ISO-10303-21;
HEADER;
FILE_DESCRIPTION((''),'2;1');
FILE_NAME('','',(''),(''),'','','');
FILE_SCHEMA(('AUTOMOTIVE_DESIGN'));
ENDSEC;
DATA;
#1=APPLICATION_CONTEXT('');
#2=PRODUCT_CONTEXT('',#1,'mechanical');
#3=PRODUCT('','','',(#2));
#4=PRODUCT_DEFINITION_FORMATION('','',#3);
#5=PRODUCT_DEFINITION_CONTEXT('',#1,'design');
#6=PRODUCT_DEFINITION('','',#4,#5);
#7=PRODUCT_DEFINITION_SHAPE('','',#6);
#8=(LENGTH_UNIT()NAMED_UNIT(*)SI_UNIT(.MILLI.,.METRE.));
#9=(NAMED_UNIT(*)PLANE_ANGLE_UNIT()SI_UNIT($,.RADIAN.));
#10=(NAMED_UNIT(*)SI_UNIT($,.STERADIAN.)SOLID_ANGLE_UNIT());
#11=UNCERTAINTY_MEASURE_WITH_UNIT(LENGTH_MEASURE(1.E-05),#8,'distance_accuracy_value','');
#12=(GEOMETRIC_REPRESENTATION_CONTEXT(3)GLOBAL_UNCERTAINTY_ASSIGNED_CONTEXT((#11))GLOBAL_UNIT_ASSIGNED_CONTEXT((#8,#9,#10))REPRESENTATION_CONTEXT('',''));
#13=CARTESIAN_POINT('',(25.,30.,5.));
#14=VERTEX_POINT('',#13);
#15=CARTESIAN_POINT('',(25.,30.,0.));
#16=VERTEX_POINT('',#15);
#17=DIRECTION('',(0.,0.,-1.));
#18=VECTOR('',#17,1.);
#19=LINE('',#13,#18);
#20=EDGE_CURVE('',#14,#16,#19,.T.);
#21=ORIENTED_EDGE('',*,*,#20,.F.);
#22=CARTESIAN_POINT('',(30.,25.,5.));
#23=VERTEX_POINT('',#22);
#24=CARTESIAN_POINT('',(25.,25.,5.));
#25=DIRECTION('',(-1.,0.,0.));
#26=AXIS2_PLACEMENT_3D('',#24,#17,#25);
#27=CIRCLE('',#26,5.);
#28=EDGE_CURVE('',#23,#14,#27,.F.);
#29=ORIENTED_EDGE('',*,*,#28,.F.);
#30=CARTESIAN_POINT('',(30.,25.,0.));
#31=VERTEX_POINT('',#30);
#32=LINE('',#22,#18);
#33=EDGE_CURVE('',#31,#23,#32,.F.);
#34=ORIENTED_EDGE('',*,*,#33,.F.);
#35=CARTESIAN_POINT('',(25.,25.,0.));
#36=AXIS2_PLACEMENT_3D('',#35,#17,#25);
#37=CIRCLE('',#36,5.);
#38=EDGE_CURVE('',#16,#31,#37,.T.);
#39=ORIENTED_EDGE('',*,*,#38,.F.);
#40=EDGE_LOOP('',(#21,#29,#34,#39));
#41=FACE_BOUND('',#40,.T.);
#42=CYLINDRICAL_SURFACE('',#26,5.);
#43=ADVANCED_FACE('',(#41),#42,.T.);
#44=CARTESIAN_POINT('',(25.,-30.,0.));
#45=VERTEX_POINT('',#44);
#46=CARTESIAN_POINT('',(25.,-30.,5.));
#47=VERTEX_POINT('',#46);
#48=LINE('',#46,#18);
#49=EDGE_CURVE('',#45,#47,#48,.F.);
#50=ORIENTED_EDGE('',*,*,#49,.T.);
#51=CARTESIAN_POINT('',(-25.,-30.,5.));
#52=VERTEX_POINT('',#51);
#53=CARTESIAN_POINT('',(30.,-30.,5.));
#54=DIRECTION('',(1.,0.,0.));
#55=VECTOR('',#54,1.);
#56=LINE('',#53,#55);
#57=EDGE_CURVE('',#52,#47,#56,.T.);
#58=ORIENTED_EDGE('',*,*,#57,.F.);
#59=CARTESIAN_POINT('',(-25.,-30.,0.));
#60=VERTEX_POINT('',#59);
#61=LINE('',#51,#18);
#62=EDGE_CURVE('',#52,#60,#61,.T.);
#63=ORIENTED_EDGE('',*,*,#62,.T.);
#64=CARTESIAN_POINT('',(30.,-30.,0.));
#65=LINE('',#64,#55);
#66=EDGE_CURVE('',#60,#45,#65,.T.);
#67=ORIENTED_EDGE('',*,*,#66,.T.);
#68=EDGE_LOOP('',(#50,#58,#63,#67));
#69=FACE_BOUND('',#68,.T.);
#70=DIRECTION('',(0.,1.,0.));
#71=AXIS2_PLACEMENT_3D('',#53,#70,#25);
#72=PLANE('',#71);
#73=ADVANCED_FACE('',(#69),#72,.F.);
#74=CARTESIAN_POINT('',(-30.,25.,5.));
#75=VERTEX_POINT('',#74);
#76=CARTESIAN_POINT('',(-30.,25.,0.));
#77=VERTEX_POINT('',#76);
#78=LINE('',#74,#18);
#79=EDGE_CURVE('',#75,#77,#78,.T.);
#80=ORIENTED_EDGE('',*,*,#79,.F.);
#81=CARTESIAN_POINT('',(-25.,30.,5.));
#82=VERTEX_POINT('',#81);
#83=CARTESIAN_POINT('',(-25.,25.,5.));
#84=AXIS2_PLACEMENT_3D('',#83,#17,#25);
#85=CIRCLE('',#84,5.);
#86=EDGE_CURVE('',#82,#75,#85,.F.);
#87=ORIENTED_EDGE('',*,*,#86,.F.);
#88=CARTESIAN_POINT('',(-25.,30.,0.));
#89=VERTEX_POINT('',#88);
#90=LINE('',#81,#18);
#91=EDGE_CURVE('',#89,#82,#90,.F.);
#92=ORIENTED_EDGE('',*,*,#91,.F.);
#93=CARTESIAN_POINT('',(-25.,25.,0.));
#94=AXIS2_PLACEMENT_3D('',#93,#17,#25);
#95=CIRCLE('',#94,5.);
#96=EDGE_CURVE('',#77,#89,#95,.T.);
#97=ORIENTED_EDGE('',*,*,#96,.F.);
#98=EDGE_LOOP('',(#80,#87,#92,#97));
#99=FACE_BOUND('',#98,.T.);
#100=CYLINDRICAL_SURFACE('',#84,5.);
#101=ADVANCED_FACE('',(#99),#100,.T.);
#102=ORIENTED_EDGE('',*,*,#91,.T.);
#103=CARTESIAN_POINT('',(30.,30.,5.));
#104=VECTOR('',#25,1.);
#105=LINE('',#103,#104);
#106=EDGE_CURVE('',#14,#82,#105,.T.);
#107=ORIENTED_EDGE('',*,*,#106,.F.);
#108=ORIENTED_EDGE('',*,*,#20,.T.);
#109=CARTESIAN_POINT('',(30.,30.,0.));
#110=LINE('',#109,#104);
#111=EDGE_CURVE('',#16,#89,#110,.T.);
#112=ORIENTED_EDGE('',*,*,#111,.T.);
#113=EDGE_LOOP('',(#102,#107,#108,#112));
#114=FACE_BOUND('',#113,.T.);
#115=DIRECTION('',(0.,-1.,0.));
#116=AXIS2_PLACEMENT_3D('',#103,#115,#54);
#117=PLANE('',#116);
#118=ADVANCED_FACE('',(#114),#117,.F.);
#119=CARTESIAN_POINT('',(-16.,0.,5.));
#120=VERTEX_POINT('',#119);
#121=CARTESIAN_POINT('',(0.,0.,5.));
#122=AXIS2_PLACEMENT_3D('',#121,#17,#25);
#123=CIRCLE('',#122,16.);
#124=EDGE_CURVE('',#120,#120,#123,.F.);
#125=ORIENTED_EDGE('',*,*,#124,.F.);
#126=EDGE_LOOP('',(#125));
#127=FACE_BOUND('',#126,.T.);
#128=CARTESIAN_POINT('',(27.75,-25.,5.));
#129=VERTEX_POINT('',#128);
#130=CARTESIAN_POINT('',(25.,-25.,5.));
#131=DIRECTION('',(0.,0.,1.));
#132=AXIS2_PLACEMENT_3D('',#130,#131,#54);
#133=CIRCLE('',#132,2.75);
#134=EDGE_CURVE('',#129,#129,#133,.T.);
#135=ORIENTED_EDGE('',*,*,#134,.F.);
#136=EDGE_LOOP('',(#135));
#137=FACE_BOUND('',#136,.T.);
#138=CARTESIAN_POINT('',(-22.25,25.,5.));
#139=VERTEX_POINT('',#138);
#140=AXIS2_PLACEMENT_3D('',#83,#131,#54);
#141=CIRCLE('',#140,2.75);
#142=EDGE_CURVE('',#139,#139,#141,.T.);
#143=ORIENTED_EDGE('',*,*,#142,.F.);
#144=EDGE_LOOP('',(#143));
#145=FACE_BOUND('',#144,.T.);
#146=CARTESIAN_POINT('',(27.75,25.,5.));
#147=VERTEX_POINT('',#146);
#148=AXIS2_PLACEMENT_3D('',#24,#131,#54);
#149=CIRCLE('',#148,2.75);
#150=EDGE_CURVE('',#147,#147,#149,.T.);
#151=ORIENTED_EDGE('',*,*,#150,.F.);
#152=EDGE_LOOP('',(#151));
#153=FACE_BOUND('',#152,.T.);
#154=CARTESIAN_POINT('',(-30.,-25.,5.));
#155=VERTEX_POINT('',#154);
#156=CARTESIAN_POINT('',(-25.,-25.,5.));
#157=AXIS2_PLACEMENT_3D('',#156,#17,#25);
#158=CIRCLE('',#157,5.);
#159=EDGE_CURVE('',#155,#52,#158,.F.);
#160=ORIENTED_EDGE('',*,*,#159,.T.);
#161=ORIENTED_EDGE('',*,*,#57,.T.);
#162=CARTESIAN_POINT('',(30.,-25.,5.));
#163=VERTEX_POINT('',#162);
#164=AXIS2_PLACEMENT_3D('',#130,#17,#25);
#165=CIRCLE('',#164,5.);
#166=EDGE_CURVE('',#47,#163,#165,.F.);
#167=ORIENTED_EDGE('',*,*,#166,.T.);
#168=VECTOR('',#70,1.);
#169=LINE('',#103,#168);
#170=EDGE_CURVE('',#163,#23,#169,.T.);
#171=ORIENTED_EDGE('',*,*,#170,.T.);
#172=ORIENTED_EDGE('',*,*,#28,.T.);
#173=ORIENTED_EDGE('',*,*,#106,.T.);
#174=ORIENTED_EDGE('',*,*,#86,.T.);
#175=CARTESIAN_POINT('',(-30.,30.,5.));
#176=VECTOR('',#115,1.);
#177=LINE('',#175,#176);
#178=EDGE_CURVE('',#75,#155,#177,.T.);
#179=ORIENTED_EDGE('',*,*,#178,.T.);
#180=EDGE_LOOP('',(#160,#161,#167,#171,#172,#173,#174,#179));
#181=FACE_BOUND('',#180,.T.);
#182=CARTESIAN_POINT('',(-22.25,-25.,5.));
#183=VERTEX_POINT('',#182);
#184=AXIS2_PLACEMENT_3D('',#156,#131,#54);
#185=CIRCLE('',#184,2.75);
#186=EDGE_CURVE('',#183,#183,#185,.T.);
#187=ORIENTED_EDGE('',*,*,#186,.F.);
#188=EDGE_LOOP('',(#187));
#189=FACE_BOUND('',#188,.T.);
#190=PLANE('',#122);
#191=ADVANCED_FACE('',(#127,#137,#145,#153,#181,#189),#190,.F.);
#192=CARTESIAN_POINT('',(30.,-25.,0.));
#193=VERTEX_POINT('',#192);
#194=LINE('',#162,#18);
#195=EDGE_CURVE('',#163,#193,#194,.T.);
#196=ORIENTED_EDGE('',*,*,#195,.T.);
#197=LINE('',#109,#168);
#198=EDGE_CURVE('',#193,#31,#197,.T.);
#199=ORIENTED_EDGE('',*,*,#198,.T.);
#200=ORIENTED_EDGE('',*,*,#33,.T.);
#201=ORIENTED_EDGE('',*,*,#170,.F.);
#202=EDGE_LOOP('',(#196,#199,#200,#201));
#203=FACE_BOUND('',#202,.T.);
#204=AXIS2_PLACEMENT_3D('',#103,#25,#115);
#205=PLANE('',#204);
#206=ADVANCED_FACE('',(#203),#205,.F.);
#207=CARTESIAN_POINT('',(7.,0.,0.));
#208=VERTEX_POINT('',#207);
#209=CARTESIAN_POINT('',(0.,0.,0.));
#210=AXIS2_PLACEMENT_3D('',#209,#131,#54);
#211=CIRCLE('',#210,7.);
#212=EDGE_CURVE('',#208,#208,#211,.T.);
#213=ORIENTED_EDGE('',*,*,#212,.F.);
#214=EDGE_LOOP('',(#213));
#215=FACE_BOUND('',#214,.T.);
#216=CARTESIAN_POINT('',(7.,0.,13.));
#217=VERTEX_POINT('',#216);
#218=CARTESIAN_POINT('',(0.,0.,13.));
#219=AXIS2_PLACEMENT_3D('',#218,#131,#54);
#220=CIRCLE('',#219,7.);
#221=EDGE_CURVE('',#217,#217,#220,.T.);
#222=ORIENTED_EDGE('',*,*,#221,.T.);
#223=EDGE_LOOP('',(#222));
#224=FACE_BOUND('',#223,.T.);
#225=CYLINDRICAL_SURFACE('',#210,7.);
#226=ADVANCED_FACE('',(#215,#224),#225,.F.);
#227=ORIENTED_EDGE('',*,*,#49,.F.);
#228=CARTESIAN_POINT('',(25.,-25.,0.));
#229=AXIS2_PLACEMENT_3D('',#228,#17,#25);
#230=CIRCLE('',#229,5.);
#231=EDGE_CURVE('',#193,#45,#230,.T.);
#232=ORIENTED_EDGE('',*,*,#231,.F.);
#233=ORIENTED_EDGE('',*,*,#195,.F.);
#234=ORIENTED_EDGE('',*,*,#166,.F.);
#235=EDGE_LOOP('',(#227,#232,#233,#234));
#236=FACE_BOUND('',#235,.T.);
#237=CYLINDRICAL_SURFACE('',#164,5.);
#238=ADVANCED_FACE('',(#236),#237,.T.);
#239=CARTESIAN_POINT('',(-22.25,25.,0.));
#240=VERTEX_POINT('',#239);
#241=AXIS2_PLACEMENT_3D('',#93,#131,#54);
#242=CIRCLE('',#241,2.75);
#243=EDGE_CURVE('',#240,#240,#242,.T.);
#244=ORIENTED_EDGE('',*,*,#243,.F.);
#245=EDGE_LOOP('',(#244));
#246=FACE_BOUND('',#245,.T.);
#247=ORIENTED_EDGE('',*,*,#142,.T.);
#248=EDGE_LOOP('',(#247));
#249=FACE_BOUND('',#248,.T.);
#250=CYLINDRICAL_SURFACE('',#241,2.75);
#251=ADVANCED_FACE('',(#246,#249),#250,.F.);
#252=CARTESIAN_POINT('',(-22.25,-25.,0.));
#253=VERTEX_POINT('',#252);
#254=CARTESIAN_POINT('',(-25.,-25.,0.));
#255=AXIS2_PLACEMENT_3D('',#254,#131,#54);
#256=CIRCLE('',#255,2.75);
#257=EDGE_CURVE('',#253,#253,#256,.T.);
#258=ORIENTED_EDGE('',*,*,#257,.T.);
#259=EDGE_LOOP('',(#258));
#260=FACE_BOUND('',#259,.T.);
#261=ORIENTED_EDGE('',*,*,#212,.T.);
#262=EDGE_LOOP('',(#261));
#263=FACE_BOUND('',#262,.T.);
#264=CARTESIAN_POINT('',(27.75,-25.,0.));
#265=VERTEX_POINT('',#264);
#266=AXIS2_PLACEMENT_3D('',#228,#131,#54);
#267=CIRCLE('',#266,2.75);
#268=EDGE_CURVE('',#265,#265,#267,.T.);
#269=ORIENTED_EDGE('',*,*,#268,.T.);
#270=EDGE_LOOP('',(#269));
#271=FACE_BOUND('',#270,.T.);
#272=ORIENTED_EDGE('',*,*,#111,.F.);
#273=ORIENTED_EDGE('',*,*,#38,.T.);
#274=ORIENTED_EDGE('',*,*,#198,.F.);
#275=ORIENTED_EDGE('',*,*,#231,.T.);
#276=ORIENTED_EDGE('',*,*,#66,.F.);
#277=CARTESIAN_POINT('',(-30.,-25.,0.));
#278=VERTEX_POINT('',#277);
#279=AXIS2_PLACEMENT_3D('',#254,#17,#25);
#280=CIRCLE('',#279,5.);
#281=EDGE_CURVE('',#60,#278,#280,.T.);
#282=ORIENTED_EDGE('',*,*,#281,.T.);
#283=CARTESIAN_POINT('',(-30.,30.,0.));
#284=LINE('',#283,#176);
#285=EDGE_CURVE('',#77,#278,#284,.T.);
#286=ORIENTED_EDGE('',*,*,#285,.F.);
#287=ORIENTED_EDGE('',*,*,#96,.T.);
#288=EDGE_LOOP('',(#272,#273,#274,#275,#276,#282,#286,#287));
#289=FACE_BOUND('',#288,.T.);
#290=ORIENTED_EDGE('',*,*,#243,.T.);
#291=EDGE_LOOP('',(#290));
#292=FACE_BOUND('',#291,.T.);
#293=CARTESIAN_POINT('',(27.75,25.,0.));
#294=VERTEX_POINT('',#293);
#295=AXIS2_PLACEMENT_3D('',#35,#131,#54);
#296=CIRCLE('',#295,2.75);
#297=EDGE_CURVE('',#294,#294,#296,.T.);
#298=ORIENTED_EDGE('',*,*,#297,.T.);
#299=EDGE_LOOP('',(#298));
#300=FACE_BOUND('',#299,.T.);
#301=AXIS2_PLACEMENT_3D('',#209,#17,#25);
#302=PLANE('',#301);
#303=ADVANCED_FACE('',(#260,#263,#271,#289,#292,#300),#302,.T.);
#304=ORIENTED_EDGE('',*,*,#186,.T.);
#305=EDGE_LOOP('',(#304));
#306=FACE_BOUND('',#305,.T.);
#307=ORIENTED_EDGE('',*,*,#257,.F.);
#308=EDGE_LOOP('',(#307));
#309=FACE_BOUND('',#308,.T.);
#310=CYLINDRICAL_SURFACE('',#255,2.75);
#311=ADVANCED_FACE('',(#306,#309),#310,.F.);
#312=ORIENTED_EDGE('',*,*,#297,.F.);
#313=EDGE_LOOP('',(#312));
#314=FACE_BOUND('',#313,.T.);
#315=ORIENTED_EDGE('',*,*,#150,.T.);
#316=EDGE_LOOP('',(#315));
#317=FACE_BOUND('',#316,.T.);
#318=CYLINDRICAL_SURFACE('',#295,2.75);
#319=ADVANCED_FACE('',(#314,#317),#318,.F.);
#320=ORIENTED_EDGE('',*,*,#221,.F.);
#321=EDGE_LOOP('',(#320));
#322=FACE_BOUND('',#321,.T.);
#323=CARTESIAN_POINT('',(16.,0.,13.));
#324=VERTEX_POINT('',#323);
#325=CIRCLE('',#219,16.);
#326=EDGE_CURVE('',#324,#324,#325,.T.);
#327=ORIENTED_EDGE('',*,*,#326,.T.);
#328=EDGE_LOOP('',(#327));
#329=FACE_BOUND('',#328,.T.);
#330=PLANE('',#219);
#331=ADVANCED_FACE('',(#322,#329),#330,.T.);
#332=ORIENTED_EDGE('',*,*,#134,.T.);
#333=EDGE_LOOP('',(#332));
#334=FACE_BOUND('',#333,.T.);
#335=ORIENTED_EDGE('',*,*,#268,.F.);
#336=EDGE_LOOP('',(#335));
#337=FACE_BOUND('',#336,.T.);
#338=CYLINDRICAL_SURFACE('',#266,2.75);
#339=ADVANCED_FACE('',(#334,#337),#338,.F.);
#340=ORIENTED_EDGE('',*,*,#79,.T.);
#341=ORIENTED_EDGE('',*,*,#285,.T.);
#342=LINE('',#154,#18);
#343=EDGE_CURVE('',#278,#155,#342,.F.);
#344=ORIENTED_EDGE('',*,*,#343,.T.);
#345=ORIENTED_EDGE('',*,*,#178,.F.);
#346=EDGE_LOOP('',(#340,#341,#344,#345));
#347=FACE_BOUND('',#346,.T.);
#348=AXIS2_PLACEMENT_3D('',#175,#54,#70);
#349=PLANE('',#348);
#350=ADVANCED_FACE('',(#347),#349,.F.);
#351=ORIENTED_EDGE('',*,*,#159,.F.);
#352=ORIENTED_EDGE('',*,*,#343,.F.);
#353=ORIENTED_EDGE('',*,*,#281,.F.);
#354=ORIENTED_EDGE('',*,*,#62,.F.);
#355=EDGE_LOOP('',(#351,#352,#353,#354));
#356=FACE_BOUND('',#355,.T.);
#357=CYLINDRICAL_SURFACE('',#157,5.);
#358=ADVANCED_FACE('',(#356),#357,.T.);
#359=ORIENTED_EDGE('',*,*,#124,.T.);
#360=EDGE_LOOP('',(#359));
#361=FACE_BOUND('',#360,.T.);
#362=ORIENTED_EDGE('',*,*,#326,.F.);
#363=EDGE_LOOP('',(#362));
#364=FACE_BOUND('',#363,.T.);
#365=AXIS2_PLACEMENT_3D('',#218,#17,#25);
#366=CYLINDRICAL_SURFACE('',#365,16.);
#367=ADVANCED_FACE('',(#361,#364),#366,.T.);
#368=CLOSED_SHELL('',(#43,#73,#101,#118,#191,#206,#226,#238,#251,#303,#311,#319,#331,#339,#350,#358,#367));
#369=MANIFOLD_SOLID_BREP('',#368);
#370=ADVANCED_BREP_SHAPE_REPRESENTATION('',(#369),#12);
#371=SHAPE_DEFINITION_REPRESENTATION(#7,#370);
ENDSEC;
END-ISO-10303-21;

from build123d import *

# Parameters (mm, degrees)
SKETCH1_W           = 60
SKETCH1_H           = 60
BOSS_EXTRUDE1_DEPTH = 5
SKETCH2_R           = 2.75
CUT_EXTRUDE1_DEPTH  = 5
FILLET1_R           = 5
SKETCH3_R           = 16
BOSS_EXTRUDE2_DEPTH = 8
SKETCH4_R           = 7
CUT_EXTRUDE2_DEPTH  = 14


with BuildPart() as part:
    # Sketch1 → Boss-Extrude1 (new body)
    with BuildSketch(Plane.XY):
        Rectangle(SKETCH1_W, SKETCH1_H)
    extrude(amount=BOSS_EXTRUDE1_DEPTH)

    # Sketch2 → Cut-Extrude1 (cut)
    with BuildSketch(Plane.XY.offset(5)):
        with Locations((-25, 25)):
            Circle(SKETCH2_R)
        with Locations((25, 25)):
            Circle(SKETCH2_R)
        with Locations((25, -25)):
            Circle(SKETCH2_R)
        with Locations((-25, -25)):
            Circle(SKETCH2_R)
    extrude(amount=-CUT_EXTRUDE1_DEPTH, mode=Mode.SUBTRACT)

    # Fillet1
    fillet1_edges = [part.edges().sort_by_distance(p)[0] for p in [
        (-30, 30, 2.5),
        (30, 30, 2.5),
        (30, -30, 2.5),
        (-30, -30, 2.5),
    ]]
    fillet(fillet1_edges, radius=FILLET1_R)

    # Sketch3 → Boss-Extrude2 (add)
    with BuildSketch(Plane.XY.offset(5)):
        Circle(SKETCH3_R)
    extrude(amount=BOSS_EXTRUDE2_DEPTH)

    # Sketch4 → Cut-Extrude2 (cut, through all)
    with BuildSketch(Plane.XY.offset(13)):
        Circle(SKETCH4_R)
    extrude(amount=-CUT_EXTRUDE2_DEPTH, mode=Mode.SUBTRACT)


solid = part.part
